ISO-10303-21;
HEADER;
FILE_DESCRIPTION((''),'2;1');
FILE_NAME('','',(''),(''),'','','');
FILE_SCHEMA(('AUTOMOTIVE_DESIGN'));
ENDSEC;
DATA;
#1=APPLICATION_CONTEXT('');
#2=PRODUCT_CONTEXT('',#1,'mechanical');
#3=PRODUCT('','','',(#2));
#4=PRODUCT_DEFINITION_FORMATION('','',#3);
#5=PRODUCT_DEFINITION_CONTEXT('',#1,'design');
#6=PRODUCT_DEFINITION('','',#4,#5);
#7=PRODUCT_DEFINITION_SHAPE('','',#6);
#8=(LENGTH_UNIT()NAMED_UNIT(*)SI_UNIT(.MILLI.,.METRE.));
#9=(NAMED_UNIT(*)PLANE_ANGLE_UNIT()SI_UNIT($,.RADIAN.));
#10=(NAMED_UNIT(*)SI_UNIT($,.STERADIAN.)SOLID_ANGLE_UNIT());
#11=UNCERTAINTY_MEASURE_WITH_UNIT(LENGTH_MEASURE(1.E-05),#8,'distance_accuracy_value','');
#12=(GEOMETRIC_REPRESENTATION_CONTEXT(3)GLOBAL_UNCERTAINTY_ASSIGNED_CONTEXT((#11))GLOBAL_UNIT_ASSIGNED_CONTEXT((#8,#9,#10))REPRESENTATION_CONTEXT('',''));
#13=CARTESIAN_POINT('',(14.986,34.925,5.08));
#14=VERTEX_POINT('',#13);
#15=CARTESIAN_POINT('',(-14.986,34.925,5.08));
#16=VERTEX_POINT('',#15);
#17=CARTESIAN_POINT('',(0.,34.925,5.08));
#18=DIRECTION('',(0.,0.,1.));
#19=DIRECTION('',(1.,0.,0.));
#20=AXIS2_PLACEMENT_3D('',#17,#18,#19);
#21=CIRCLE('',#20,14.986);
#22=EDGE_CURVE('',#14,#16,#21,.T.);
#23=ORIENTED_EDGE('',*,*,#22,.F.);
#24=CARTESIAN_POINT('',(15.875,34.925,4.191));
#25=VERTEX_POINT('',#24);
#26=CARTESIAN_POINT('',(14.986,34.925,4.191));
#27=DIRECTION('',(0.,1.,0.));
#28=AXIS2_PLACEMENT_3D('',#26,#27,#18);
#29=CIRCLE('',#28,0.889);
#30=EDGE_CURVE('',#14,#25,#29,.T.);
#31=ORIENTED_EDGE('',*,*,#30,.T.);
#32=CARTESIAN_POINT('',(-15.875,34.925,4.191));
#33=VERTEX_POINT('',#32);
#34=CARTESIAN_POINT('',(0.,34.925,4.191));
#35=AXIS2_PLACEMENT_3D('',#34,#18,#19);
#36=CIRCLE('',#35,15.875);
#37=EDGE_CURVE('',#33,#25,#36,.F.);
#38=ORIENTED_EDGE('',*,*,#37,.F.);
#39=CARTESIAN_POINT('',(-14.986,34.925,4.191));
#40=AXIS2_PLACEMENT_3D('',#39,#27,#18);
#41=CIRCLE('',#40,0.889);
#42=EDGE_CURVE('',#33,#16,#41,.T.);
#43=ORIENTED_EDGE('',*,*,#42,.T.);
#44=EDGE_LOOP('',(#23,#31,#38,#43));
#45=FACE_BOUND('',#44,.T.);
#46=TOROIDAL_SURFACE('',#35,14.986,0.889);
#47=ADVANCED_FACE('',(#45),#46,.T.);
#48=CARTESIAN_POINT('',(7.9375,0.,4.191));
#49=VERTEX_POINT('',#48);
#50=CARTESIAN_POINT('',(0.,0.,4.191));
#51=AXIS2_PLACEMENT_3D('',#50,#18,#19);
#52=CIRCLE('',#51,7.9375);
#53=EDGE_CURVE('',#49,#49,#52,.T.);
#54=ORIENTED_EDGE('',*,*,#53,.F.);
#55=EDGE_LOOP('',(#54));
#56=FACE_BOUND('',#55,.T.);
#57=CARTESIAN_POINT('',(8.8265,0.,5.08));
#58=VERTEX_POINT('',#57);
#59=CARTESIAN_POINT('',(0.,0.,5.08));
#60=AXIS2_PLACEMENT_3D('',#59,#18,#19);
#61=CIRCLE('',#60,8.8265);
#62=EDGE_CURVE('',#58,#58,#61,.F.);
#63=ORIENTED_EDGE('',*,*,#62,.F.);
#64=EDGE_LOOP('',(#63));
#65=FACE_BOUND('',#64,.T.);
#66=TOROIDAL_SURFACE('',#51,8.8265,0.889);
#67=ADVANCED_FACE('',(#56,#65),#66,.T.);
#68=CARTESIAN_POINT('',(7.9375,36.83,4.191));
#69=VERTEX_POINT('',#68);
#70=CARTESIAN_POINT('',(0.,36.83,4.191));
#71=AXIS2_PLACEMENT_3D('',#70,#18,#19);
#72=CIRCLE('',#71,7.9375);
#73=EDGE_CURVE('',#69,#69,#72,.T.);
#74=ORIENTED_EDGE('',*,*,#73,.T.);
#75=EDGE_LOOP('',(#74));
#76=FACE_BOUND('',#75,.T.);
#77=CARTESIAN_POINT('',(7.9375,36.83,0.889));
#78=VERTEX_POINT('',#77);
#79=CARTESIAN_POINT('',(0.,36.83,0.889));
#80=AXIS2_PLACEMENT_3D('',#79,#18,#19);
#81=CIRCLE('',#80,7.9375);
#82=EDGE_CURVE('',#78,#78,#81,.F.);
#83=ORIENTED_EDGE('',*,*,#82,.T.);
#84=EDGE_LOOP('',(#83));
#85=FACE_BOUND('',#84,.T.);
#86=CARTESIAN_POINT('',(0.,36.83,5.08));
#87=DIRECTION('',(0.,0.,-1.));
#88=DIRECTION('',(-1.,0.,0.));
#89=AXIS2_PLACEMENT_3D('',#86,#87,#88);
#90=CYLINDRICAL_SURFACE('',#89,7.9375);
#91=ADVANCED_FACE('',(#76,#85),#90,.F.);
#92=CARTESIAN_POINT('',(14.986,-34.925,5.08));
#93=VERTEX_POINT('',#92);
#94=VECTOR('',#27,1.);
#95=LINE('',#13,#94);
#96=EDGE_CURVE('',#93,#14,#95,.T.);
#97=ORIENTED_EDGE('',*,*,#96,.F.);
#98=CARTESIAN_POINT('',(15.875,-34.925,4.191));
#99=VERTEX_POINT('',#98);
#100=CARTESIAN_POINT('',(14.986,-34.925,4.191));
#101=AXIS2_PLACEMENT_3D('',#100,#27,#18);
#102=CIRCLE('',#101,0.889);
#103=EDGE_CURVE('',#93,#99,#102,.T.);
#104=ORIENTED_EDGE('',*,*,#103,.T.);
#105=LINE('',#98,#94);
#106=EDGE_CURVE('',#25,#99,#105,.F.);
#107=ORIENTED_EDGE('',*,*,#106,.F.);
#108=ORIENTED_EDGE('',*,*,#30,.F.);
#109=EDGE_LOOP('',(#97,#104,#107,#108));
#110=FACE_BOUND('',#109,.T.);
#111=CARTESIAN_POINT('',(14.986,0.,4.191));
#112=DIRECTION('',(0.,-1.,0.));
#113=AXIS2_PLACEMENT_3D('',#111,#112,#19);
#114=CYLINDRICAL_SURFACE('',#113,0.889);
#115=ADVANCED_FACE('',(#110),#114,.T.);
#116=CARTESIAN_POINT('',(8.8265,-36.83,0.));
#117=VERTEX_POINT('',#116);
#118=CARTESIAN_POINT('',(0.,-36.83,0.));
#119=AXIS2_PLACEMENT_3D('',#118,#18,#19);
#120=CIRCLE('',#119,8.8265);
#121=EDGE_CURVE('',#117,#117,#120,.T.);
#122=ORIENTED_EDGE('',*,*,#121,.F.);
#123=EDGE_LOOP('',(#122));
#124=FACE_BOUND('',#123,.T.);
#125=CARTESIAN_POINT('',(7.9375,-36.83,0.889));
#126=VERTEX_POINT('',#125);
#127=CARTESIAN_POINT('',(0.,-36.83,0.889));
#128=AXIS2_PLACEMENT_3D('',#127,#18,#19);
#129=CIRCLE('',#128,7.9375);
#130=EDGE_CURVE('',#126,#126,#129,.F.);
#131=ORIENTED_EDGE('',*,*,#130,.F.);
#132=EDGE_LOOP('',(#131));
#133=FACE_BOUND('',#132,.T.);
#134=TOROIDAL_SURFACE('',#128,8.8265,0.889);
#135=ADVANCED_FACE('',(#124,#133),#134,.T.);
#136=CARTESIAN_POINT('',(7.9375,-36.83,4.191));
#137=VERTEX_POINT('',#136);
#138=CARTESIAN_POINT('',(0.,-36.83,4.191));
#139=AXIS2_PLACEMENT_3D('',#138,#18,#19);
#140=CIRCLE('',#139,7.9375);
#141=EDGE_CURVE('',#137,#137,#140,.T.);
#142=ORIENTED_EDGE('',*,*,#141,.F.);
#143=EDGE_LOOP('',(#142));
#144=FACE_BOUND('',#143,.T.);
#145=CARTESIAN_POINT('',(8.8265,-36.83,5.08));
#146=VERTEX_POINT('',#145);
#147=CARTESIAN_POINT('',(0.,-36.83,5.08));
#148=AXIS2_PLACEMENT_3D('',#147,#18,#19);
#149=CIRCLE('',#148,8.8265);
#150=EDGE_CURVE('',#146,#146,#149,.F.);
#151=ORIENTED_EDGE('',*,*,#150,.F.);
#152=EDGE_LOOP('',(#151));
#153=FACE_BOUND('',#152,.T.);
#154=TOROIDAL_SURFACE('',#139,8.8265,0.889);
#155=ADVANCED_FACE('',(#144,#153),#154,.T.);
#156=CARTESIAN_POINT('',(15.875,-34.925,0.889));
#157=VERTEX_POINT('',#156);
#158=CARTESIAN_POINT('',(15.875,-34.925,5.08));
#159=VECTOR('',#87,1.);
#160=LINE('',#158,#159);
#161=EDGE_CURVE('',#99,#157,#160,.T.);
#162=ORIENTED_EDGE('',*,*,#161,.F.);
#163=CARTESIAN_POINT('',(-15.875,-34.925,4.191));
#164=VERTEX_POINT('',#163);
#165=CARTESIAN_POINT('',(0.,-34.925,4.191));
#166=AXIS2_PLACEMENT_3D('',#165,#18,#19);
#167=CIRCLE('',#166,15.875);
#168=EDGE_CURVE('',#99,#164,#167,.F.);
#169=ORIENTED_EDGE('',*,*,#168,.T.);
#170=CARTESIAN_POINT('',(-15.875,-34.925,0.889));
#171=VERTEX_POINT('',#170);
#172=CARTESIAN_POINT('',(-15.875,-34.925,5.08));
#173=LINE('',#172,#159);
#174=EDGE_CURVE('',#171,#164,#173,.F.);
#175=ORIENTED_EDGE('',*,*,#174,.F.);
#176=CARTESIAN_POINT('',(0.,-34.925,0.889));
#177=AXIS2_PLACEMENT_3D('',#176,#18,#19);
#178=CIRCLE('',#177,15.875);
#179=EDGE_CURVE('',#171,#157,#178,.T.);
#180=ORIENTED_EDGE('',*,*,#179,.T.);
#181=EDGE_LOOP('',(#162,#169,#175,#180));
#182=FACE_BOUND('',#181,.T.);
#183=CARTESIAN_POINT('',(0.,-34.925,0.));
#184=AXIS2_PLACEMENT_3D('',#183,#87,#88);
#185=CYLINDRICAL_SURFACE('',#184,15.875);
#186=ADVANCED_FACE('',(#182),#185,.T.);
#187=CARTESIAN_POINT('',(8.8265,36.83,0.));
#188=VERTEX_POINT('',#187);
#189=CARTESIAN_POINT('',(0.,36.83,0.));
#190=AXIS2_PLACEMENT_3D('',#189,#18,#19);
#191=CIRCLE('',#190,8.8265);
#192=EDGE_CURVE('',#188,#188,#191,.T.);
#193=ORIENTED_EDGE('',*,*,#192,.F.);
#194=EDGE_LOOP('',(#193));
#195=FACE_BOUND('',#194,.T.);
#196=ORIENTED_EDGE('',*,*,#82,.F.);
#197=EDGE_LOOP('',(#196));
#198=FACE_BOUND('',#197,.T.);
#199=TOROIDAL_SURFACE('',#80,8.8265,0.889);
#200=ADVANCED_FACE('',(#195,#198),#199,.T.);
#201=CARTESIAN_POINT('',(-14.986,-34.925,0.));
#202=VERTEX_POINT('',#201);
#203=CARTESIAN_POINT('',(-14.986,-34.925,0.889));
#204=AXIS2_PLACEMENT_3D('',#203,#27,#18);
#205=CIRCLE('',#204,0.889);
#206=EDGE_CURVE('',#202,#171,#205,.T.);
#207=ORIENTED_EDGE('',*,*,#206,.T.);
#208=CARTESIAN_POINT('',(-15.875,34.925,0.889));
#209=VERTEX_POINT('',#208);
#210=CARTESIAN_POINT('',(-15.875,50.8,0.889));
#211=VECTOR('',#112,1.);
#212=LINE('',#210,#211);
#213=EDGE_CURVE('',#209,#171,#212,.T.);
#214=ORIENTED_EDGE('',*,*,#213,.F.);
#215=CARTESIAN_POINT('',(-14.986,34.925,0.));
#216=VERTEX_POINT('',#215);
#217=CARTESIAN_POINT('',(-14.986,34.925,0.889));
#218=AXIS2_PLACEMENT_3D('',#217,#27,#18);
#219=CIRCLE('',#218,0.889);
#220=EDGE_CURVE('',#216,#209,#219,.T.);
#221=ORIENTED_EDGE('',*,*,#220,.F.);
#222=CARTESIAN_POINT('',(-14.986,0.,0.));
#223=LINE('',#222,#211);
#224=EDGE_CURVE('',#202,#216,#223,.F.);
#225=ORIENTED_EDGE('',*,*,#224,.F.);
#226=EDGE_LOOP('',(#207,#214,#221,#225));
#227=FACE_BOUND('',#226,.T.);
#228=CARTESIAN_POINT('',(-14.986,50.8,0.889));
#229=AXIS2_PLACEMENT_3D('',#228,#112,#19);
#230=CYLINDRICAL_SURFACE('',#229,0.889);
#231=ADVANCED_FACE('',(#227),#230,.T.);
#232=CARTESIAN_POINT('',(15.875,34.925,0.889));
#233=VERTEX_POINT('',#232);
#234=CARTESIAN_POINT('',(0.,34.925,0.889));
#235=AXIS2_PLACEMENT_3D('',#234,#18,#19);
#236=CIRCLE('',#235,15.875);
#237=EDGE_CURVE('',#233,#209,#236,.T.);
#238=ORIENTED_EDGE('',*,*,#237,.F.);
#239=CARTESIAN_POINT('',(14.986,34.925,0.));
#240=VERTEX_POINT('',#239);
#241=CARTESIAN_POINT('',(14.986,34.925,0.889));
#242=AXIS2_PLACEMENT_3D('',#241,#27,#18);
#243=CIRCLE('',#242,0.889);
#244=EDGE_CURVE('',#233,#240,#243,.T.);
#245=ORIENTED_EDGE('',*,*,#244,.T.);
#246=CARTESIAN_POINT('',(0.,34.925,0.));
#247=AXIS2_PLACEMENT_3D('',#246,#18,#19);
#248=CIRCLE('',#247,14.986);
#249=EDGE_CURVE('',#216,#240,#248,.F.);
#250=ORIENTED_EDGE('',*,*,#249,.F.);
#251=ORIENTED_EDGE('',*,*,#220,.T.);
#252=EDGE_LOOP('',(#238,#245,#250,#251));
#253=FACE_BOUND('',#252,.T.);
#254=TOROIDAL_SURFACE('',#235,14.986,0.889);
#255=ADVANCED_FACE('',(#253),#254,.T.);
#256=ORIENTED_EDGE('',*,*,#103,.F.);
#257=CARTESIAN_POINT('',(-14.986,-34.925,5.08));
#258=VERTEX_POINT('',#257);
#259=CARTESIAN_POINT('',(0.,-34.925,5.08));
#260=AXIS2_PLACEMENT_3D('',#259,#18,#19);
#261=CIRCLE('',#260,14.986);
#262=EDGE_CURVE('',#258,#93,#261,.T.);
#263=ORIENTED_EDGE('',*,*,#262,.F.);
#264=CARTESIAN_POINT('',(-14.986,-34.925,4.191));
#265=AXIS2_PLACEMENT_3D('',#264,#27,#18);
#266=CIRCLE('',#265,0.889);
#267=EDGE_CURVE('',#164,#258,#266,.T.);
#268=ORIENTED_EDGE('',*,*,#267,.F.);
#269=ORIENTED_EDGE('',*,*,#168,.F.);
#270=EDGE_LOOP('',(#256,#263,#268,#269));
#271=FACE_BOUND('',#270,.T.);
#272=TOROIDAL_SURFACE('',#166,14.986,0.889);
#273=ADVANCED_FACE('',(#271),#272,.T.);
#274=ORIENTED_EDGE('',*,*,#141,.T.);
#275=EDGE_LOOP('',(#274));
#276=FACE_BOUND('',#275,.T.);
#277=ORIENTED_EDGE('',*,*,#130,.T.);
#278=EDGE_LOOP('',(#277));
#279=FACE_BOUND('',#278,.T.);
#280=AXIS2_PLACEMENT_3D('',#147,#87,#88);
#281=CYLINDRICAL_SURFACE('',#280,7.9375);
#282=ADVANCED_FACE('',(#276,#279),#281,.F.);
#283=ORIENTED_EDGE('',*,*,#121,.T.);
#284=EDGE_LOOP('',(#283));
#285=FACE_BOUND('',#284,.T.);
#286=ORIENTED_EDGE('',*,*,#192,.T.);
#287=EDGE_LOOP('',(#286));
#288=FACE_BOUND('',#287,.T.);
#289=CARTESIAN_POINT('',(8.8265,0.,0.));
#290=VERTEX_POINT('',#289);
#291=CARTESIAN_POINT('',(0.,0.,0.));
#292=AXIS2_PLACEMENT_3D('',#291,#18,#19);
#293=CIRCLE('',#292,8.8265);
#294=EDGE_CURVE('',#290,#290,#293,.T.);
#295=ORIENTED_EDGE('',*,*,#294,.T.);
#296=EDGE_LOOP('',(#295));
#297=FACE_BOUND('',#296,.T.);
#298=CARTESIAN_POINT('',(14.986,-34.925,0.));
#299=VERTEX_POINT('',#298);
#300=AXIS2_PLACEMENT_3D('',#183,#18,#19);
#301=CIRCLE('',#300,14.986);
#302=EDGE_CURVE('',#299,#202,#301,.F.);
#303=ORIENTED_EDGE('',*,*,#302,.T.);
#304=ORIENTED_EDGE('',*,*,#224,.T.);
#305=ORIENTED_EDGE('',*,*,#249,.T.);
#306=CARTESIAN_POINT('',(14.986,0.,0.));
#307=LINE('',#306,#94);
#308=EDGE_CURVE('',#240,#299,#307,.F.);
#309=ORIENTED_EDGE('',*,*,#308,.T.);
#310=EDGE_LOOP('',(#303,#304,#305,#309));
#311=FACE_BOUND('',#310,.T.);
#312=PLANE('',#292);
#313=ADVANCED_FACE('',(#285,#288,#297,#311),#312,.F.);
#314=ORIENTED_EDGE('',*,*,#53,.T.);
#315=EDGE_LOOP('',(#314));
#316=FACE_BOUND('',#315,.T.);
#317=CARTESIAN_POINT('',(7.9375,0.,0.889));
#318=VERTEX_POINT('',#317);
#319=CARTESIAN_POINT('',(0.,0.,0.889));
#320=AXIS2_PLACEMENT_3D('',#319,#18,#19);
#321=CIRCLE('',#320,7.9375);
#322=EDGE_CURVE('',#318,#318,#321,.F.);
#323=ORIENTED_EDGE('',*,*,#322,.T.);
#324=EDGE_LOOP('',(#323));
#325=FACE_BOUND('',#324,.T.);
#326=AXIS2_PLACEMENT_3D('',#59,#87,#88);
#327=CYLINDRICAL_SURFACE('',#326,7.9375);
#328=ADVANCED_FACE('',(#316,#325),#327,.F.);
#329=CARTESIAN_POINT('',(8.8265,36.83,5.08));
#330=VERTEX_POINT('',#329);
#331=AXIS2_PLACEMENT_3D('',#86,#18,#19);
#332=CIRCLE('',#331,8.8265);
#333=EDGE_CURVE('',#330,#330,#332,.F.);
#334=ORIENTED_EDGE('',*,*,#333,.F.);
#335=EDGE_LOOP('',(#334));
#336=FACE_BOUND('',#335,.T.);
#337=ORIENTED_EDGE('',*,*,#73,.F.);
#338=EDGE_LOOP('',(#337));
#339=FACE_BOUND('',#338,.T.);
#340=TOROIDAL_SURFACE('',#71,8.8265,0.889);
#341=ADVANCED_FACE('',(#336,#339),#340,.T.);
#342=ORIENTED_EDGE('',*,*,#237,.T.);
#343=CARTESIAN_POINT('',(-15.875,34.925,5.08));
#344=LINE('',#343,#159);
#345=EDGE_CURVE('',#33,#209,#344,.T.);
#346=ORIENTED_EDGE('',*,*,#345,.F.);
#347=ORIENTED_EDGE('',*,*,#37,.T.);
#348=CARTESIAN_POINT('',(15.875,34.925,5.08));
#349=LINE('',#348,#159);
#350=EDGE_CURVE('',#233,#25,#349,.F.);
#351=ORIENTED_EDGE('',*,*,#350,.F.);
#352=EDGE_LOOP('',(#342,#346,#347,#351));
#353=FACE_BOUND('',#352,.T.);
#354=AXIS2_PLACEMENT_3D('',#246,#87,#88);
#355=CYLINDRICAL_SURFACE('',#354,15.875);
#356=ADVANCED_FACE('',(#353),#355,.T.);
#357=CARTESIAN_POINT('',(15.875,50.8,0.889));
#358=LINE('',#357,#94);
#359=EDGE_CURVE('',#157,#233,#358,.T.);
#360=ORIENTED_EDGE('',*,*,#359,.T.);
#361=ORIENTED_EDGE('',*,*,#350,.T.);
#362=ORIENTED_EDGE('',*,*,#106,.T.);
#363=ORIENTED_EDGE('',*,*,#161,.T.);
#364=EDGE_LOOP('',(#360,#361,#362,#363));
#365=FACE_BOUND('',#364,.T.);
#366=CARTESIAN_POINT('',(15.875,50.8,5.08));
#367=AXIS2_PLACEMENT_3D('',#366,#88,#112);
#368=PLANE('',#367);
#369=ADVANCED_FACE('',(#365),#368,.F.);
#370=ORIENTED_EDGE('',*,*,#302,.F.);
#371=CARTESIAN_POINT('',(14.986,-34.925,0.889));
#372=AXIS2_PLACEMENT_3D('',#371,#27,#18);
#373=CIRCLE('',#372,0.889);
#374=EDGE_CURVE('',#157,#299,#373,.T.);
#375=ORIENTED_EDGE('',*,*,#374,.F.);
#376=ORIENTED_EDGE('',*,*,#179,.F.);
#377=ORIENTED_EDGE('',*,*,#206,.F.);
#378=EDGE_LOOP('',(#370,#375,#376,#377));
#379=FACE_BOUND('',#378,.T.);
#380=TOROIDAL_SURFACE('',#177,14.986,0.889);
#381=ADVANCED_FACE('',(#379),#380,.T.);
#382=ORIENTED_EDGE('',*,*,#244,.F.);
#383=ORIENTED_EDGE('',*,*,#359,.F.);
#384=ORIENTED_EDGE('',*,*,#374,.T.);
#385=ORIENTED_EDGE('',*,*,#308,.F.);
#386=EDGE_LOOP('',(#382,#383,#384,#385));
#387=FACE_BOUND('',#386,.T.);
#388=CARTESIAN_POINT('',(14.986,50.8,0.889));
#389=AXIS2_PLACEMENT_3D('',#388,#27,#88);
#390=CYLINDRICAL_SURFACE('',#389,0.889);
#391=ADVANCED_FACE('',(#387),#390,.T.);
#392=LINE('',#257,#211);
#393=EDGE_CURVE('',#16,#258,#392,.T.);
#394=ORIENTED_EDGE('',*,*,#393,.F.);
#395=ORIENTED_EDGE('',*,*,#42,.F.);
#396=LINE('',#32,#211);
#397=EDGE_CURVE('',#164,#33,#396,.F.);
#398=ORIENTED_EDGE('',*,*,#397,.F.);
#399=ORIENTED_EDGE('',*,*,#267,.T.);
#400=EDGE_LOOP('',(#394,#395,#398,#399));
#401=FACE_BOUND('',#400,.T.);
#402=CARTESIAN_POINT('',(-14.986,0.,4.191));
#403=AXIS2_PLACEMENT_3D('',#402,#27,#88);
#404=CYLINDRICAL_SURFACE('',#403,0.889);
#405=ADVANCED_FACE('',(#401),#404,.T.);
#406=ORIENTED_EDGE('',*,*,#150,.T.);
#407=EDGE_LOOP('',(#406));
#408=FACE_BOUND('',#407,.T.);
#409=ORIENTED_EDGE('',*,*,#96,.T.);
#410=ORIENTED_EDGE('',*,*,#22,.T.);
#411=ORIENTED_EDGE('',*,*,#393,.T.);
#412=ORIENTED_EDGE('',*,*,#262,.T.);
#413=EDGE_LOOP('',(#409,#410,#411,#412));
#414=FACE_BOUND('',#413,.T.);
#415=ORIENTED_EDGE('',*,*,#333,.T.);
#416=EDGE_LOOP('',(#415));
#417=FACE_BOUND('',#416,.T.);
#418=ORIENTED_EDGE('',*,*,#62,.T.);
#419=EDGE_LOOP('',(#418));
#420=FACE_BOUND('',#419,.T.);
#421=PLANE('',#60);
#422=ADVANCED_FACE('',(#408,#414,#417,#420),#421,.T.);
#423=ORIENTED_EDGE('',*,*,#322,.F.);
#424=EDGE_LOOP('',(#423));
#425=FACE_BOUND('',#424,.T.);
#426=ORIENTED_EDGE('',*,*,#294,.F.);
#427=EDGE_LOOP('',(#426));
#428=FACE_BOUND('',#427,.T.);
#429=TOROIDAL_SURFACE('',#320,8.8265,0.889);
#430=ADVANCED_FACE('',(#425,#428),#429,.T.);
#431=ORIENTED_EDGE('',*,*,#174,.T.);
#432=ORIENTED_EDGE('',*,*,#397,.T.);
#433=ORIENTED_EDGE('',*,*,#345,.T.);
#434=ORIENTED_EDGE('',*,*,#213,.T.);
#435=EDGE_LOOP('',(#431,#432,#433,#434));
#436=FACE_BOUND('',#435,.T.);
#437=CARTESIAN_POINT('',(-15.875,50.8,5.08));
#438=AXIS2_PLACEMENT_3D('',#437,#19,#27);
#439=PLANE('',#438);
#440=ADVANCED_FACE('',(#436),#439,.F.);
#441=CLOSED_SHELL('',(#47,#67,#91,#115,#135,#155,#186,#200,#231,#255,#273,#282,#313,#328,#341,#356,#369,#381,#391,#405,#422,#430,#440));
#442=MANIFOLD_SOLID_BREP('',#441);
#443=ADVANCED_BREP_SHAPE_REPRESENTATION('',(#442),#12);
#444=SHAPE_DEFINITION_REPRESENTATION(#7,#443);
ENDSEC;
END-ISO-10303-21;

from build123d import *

# Parameters (mm, degrees)
SKETCH1_W           = 31.75
SKETCH1_H           = 101.6
SKETCH1_R           = 7.9375
BOSS_EXTRUDE1_DEPTH = 5.08
FILLET1_RADIUS      = 15.875
FILLET1_LENGTH      = 5.08
FILLET2_RADIUS      = 15.875
FILLET2_LENGTH      = 5.08
FILLET3_R           = 0.889


with BuildPart() as part:
    # Sketch1 → Boss-Extrude1 (new body)
    with BuildSketch(Plane.XY):
        Rectangle(SKETCH1_W, SKETCH1_H)
        with Locations((0, -36.83)):
            Circle(SKETCH1_R, mode=Mode.SUBTRACT)
        Circle(SKETCH1_R, mode=Mode.SUBTRACT)
        with Locations((0, 36.83)):
            Circle(SKETCH1_R, mode=Mode.SUBTRACT)
    extrude(amount=BOSS_EXTRUDE1_DEPTH)

    # Fillet1: full round fillet: the end face becomes a half cylinder, R = half its width
    fillet1_face = Plane((0, 50.8, 2.54), x_dir=(0, 0, 1), z_dir=(0, 1, 0))  # on the end face: x along it, z out of the body
    fillet1_slab = fillet1_face.offset(-FILLET1_RADIUS / 2) * Box(FILLET1_LENGTH, 2 * FILLET1_RADIUS, FILLET1_RADIUS, mode=Mode.PRIVATE)  # the body's end, R deep
    fillet1_round = Plane((0, 34.925, 2.54), x_dir=(0, 1, 0), z_dir=(0, 0, 1)) * Cylinder(FILLET1_RADIUS, FILLET1_LENGTH, mode=Mode.PRIVATE)  # its axis R under the face
    add(fillet1_slab - fillet1_round, mode=Mode.SUBTRACT)

    # Fillet2: full round fillet: the end face becomes a half cylinder, R = half its width
    fillet2_face = Plane((0, -50.8, 2.54), x_dir=(0, 0, 1), z_dir=(0, -1, 0))  # on the end face: x along it, z out of the body
    fillet2_slab = fillet2_face.offset(-FILLET2_RADIUS / 2) * Box(FILLET2_LENGTH, 2 * FILLET2_RADIUS, FILLET2_RADIUS, mode=Mode.PRIVATE)  # the body's end, R deep
    fillet2_round = Plane((0, -34.925, 2.54), x_dir=(0, -1, 0), z_dir=(0, 0, 1)) * Cylinder(FILLET2_RADIUS, FILLET2_LENGTH, mode=Mode.PRIVATE)  # its axis R under the face
    add(fillet2_slab - fillet2_round, mode=Mode.SUBTRACT)

    # Fillet3
    fillet3_edges = [part.edges().sort_by_distance(p)[0] for p in [
        (-7.9375, -36.83, 0),
        (-7.9375, -36.83, 5.08),
        (-7.9375, 0, 0),
        (-7.9375, 0, 5.08),
        (-7.9375, 36.83, 0),
        (-7.9375, 36.83, 5.08),
        (-15.875, 0, 0),
        (-15.875, 0, 5.08),
        (0, 50.8, 0),
        (0, 50.8, 5.08),
        (15.875, 0, 0),
        (15.875, 0, 5.08),
        (0, -50.8, 0),
        (0, -50.8, 5.08),
    ]]
    fillet(fillet3_edges, radius=FILLET3_R)


solid = part.part
